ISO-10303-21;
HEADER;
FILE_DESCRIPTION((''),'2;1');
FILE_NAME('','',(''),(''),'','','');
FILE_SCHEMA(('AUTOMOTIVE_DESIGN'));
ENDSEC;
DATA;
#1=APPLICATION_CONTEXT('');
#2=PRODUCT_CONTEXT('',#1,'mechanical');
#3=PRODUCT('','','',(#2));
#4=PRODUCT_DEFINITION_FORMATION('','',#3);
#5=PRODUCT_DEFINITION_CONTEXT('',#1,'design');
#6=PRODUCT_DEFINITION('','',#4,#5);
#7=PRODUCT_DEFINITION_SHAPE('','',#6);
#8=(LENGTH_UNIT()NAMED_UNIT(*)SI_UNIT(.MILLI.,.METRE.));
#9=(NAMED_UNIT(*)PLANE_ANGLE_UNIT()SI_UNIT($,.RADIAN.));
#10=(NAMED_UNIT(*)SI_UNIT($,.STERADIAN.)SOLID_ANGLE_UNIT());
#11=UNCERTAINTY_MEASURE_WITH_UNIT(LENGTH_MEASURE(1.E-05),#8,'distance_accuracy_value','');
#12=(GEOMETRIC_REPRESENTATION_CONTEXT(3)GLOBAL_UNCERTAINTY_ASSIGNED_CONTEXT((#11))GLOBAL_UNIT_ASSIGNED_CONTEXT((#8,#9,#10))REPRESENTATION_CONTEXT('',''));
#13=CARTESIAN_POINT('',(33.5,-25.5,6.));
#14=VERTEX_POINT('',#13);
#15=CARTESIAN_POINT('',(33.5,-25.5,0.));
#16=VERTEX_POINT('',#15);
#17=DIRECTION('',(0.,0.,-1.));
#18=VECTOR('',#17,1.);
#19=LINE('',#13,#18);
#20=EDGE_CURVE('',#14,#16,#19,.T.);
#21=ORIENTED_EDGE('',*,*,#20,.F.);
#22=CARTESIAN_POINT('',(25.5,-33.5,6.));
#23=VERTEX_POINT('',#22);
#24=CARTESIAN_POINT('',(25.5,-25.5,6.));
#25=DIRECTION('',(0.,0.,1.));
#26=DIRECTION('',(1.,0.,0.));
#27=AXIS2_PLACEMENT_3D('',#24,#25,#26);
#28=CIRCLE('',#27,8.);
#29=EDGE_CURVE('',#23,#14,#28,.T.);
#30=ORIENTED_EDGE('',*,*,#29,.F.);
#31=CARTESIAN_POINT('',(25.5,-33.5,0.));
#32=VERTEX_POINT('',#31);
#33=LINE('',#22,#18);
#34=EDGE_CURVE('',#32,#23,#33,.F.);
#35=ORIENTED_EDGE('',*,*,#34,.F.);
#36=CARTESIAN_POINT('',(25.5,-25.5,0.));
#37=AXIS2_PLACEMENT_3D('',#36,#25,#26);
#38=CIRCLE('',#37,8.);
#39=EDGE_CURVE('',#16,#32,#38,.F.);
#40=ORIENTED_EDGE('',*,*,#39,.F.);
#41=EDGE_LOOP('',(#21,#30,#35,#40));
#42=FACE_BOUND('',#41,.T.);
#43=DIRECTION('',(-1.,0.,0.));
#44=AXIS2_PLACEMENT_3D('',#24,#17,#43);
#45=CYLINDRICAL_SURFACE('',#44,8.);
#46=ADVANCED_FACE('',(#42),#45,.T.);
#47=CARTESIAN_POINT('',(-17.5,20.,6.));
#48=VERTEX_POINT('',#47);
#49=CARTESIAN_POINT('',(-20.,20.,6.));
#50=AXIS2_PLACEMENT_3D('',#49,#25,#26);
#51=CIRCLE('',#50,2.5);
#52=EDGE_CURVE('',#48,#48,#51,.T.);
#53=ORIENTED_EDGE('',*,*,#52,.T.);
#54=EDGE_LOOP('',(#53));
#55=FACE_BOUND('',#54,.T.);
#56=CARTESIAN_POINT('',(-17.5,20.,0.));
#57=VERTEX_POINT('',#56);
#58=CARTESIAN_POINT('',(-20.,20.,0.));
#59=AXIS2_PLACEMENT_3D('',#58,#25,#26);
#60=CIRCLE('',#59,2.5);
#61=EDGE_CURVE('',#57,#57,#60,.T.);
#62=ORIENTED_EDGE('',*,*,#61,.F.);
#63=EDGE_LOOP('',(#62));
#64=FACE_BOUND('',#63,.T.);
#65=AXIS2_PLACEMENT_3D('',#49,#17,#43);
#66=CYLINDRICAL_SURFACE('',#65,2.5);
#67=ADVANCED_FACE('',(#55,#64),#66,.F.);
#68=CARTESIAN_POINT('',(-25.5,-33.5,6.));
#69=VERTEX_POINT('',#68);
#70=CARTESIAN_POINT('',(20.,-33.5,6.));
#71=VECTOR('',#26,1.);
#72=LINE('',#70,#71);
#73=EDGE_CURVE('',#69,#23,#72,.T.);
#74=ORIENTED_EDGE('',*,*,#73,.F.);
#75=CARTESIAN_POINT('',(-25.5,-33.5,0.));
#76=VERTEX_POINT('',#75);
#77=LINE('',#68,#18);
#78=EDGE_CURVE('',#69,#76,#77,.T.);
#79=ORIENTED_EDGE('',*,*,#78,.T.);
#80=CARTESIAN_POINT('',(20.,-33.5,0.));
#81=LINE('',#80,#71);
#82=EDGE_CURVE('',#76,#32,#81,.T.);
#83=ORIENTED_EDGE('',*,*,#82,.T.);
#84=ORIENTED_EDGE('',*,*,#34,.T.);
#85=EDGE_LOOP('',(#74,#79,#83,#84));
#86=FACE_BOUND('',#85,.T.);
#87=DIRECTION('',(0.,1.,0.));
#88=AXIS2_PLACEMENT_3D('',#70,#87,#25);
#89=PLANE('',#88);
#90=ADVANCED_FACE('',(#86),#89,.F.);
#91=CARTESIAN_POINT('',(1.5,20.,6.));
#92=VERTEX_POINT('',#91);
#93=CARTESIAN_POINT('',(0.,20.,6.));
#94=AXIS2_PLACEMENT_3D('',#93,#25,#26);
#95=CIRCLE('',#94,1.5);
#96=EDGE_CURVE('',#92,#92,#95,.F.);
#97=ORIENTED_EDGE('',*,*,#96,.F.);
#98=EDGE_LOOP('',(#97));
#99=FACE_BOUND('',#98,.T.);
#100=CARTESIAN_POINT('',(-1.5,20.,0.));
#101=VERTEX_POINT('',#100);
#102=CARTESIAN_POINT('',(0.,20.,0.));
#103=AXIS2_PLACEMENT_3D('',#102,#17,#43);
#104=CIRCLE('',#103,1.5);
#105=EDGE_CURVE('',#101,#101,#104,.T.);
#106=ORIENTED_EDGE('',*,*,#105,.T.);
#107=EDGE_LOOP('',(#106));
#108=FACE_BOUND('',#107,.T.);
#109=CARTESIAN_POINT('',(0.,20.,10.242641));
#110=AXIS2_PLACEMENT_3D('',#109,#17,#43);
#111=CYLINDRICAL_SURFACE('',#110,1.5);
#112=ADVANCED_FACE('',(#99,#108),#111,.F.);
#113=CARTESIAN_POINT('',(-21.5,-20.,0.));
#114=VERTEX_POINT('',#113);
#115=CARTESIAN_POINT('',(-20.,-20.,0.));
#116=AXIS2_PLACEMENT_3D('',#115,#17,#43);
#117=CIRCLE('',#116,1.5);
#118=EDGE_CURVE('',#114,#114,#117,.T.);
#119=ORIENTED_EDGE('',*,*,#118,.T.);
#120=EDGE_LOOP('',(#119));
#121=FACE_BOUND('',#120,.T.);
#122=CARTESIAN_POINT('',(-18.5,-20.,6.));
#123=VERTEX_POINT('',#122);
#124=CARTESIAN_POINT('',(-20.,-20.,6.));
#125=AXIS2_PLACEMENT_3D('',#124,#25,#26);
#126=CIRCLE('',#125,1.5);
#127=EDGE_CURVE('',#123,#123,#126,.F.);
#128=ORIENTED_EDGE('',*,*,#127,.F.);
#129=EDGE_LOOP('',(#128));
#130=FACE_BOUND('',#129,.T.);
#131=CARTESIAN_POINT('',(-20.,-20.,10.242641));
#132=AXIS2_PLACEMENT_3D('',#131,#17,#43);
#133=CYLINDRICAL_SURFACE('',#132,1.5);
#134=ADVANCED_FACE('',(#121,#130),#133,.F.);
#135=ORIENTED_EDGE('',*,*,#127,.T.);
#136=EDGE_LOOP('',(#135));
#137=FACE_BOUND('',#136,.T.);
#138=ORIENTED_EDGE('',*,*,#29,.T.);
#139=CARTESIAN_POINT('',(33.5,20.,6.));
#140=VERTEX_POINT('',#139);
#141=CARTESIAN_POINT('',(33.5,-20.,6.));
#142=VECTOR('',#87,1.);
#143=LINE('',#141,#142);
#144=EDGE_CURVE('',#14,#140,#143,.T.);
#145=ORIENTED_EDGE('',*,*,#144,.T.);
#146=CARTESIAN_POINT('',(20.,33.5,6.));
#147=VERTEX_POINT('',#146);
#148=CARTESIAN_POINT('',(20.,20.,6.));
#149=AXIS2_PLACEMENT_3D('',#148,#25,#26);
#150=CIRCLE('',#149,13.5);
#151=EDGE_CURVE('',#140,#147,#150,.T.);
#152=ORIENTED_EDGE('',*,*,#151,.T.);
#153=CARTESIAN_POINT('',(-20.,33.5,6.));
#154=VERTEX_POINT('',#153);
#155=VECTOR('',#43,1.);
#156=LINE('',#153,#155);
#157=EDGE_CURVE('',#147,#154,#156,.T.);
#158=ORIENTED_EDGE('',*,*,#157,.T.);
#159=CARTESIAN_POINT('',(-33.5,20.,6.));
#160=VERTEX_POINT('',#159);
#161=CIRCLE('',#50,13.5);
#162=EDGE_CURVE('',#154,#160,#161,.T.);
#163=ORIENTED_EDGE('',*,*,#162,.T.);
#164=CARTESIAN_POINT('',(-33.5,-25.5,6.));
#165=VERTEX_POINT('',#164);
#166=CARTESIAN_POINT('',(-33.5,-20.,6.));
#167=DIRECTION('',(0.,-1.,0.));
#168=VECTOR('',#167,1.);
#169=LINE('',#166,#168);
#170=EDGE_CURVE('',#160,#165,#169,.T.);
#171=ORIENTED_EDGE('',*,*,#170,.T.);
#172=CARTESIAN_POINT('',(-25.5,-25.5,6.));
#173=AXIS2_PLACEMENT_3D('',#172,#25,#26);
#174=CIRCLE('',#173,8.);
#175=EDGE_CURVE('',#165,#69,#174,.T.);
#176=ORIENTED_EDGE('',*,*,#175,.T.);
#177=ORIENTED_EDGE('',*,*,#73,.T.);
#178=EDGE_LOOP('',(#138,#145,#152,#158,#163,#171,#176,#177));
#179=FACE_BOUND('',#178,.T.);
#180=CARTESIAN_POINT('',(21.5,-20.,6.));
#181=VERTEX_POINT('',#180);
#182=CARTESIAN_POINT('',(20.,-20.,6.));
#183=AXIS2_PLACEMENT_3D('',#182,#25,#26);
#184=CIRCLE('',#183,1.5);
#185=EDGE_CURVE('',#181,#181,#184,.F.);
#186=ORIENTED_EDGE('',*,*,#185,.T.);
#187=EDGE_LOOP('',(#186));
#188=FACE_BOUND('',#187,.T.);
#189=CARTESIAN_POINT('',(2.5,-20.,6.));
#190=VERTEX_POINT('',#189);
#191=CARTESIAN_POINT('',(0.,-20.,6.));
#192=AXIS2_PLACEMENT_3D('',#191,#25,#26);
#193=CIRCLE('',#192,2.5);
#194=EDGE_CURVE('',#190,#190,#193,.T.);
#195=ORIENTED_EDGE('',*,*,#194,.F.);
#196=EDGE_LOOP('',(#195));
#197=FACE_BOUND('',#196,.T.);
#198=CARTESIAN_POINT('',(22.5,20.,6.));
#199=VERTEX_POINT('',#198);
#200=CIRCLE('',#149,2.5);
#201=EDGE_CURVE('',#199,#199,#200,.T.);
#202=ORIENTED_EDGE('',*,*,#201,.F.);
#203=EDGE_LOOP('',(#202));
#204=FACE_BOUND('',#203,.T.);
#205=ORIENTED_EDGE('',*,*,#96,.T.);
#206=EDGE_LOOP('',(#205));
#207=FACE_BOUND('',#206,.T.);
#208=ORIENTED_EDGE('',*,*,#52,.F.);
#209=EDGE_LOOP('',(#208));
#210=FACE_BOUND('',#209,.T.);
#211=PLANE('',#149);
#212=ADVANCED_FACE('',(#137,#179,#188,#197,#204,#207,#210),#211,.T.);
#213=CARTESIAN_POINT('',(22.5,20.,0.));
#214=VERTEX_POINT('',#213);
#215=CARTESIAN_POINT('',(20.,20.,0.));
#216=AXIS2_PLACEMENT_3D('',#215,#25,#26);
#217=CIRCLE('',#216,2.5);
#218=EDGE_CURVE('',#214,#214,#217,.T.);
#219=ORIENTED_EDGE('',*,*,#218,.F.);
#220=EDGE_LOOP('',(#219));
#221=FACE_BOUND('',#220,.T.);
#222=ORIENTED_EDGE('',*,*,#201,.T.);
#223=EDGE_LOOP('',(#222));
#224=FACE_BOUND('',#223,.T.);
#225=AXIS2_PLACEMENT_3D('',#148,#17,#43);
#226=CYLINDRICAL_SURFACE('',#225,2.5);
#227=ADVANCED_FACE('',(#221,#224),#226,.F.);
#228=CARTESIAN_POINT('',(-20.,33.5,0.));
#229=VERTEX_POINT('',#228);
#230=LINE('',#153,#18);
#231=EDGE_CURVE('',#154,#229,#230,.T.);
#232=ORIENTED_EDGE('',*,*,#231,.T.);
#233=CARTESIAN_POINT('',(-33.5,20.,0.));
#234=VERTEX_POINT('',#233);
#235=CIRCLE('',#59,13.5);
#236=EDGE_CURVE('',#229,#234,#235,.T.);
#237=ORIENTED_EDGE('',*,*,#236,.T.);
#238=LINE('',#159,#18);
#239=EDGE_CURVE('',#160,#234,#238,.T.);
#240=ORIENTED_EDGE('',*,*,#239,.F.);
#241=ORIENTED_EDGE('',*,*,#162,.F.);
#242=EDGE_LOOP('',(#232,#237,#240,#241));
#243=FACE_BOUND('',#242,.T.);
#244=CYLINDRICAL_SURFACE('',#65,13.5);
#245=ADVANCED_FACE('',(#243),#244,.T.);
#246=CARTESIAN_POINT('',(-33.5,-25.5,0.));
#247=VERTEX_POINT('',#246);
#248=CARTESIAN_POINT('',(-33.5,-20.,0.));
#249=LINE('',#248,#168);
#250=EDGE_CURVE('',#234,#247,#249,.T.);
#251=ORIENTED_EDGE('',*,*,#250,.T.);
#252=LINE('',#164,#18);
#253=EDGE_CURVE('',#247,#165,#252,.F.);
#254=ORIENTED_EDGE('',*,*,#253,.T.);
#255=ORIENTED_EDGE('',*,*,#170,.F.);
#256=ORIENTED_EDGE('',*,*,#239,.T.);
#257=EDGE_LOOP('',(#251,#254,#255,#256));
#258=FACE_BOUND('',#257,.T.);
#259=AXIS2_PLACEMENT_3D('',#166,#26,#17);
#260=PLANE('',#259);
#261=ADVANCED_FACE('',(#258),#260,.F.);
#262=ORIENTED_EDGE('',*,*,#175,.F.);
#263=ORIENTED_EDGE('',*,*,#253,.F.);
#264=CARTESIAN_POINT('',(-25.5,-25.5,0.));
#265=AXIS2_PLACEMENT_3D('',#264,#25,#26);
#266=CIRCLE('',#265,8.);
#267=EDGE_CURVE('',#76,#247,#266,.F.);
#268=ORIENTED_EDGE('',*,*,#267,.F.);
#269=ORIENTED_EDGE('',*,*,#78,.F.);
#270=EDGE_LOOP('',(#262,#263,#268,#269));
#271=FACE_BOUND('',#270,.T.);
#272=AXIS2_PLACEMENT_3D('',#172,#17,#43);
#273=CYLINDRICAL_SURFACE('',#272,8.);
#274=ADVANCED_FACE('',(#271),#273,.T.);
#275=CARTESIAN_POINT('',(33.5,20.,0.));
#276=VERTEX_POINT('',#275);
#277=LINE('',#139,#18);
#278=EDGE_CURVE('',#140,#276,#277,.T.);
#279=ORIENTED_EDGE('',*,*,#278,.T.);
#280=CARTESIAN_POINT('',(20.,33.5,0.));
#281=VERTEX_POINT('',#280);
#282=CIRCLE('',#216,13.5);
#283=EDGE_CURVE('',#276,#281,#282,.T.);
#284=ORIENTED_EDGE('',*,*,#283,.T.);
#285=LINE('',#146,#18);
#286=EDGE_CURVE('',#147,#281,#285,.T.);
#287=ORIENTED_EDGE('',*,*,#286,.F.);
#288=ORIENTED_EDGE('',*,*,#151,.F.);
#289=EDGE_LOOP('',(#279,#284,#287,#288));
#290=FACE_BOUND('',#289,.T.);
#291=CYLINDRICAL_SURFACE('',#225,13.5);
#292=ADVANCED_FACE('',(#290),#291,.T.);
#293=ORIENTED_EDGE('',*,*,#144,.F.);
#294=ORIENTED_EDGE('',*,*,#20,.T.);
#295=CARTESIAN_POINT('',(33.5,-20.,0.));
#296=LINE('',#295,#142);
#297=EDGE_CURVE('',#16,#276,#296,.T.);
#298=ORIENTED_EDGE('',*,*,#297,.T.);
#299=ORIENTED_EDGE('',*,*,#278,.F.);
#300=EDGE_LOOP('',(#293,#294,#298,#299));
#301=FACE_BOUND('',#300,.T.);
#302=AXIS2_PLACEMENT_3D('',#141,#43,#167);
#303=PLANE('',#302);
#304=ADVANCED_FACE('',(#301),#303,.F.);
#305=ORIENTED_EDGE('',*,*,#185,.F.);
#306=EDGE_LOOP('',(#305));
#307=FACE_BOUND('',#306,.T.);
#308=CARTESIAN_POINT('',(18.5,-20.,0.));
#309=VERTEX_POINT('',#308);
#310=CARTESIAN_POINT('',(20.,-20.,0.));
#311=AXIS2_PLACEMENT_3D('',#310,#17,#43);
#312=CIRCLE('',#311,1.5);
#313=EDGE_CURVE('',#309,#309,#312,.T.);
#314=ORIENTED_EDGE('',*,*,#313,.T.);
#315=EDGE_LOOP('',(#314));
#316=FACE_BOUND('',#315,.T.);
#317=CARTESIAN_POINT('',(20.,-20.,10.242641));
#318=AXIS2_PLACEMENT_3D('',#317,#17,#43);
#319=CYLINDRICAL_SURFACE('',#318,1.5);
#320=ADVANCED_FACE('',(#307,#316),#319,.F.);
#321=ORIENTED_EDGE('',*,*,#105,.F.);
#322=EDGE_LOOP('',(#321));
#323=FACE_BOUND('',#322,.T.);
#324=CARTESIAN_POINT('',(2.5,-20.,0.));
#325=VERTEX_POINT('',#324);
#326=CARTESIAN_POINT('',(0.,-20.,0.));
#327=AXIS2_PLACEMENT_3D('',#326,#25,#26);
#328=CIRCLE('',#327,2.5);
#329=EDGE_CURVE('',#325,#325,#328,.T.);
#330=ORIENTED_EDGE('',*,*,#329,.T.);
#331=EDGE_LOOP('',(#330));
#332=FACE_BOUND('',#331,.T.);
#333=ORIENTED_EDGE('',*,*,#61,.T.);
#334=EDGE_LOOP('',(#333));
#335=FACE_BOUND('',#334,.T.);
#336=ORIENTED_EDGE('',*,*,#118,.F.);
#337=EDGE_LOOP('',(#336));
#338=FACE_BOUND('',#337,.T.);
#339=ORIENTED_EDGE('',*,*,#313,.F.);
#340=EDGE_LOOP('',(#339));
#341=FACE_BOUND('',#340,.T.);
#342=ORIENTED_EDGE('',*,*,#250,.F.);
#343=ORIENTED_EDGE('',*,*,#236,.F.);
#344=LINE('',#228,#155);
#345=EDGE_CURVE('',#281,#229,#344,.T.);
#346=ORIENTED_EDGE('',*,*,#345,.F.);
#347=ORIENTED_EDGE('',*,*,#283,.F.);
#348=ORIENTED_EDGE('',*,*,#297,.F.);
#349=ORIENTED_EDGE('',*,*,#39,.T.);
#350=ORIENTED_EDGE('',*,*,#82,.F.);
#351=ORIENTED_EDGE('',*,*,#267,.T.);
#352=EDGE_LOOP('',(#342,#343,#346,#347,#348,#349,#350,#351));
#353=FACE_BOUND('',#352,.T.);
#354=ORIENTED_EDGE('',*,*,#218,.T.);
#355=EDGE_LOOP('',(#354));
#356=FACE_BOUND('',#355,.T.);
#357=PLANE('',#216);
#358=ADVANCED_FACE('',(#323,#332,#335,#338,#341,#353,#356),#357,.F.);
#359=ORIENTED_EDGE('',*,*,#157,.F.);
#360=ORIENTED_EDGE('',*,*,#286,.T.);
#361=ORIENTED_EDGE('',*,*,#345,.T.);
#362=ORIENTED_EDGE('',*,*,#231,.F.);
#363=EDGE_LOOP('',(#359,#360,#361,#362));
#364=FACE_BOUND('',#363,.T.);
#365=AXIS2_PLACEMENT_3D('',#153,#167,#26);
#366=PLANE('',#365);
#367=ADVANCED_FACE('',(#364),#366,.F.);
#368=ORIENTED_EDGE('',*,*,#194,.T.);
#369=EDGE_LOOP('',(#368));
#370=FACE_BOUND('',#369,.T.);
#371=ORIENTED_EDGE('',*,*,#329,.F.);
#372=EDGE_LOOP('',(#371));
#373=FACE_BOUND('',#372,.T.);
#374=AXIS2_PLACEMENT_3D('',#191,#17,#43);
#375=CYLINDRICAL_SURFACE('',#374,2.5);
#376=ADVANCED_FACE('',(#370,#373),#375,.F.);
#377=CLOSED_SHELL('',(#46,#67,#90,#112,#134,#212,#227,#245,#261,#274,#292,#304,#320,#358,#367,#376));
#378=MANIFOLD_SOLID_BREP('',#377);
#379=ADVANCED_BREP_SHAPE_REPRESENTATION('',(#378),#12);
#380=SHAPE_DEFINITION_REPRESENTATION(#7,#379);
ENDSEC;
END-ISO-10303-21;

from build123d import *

# Parameters (mm, degrees)
ESBO_O1_R                = 2.5
RESSALTO_EXTRUS_O1_DEPTH = 6
ESBO_O2_W                = 13.5
ESBO_O2_H                = 13.5
RESSALTO_EXTRUS_O2_DEPTH = 6
FILETE1_R                = 8
ESBO_O3_R                = 1.5
CORTE_EXTRUS_O1_DEPTH    = 6


with BuildPart() as part:
    # Esboço1 → Ressalto-extrusão1 (new body)
    with BuildSketch(Plane.XY):
        with BuildLine():
            Line((-20, 33.5), (20, 33.5))
            ThreePointArc((20, 33.5), (29.545941546, 29.545941546), (33.5, 20))
            Line((33.5, 20), (33.5, -20))
            ThreePointArc((33.5, -20), (29.545941546, -29.545941546), (20, -33.5))
            Line((20, -33.5), (-20, -33.5))
            ThreePointArc((-20, -33.5), (-29.545941546, -29.545941546), (-33.5, -20))
            Line((-33.5, -20), (-33.5, 20))
            ThreePointArc((-33.5, 20), (-29.545941546, 29.545941546), (-20, 33.5))
        make_face()
        with Locations((-20, 20)):
            Circle(ESBO_O1_R, mode=Mode.SUBTRACT)
        with Locations((20, 20)):
            Circle(ESBO_O1_R, mode=Mode.SUBTRACT)
        with Locations((0, -20)):
            Circle(ESBO_O1_R, mode=Mode.SUBTRACT)
    extrude(amount=RESSALTO_EXTRUS_O1_DEPTH)

    # Esboço2 → Ressalto-extrusão2 (add)
    with BuildSketch(Plane(origin=(0, 0, 0), x_dir=(-1, 0, 0), z_dir=(0, 0, -1))):
        with Locations((-26.75, -26.75)):
            Rectangle(ESBO_O2_W, ESBO_O2_H)
        with Locations((26.75, -26.75)):
            Rectangle(ESBO_O2_W, ESBO_O2_H)
    extrude(amount=-RESSALTO_EXTRUS_O2_DEPTH)

    # Filete1
    filete1_edges = [part.edges().sort_by_distance(p)[0] for p in [
        (33.5, -33.5, 3),
        (-33.5, -33.5, 3),
    ]]
    fillet(filete1_edges, radius=FILETE1_R)

    # Esboço3 → Corte-extrusão1 (cut)
    with BuildSketch(Plane(origin=(0, 0, 0), x_dir=(-1, 0, 0), z_dir=(0, 0, -1))):
        with Locations((0, 20)):
            Circle(ESBO_O3_R)
        with Locations((20, -20)):
            Circle(ESBO_O3_R)
        with Locations((-20, -20)):
            Circle(ESBO_O3_R)
    extrude(amount=-CORTE_EXTRUS_O1_DEPTH, mode=Mode.SUBTRACT)


solid = part.part
